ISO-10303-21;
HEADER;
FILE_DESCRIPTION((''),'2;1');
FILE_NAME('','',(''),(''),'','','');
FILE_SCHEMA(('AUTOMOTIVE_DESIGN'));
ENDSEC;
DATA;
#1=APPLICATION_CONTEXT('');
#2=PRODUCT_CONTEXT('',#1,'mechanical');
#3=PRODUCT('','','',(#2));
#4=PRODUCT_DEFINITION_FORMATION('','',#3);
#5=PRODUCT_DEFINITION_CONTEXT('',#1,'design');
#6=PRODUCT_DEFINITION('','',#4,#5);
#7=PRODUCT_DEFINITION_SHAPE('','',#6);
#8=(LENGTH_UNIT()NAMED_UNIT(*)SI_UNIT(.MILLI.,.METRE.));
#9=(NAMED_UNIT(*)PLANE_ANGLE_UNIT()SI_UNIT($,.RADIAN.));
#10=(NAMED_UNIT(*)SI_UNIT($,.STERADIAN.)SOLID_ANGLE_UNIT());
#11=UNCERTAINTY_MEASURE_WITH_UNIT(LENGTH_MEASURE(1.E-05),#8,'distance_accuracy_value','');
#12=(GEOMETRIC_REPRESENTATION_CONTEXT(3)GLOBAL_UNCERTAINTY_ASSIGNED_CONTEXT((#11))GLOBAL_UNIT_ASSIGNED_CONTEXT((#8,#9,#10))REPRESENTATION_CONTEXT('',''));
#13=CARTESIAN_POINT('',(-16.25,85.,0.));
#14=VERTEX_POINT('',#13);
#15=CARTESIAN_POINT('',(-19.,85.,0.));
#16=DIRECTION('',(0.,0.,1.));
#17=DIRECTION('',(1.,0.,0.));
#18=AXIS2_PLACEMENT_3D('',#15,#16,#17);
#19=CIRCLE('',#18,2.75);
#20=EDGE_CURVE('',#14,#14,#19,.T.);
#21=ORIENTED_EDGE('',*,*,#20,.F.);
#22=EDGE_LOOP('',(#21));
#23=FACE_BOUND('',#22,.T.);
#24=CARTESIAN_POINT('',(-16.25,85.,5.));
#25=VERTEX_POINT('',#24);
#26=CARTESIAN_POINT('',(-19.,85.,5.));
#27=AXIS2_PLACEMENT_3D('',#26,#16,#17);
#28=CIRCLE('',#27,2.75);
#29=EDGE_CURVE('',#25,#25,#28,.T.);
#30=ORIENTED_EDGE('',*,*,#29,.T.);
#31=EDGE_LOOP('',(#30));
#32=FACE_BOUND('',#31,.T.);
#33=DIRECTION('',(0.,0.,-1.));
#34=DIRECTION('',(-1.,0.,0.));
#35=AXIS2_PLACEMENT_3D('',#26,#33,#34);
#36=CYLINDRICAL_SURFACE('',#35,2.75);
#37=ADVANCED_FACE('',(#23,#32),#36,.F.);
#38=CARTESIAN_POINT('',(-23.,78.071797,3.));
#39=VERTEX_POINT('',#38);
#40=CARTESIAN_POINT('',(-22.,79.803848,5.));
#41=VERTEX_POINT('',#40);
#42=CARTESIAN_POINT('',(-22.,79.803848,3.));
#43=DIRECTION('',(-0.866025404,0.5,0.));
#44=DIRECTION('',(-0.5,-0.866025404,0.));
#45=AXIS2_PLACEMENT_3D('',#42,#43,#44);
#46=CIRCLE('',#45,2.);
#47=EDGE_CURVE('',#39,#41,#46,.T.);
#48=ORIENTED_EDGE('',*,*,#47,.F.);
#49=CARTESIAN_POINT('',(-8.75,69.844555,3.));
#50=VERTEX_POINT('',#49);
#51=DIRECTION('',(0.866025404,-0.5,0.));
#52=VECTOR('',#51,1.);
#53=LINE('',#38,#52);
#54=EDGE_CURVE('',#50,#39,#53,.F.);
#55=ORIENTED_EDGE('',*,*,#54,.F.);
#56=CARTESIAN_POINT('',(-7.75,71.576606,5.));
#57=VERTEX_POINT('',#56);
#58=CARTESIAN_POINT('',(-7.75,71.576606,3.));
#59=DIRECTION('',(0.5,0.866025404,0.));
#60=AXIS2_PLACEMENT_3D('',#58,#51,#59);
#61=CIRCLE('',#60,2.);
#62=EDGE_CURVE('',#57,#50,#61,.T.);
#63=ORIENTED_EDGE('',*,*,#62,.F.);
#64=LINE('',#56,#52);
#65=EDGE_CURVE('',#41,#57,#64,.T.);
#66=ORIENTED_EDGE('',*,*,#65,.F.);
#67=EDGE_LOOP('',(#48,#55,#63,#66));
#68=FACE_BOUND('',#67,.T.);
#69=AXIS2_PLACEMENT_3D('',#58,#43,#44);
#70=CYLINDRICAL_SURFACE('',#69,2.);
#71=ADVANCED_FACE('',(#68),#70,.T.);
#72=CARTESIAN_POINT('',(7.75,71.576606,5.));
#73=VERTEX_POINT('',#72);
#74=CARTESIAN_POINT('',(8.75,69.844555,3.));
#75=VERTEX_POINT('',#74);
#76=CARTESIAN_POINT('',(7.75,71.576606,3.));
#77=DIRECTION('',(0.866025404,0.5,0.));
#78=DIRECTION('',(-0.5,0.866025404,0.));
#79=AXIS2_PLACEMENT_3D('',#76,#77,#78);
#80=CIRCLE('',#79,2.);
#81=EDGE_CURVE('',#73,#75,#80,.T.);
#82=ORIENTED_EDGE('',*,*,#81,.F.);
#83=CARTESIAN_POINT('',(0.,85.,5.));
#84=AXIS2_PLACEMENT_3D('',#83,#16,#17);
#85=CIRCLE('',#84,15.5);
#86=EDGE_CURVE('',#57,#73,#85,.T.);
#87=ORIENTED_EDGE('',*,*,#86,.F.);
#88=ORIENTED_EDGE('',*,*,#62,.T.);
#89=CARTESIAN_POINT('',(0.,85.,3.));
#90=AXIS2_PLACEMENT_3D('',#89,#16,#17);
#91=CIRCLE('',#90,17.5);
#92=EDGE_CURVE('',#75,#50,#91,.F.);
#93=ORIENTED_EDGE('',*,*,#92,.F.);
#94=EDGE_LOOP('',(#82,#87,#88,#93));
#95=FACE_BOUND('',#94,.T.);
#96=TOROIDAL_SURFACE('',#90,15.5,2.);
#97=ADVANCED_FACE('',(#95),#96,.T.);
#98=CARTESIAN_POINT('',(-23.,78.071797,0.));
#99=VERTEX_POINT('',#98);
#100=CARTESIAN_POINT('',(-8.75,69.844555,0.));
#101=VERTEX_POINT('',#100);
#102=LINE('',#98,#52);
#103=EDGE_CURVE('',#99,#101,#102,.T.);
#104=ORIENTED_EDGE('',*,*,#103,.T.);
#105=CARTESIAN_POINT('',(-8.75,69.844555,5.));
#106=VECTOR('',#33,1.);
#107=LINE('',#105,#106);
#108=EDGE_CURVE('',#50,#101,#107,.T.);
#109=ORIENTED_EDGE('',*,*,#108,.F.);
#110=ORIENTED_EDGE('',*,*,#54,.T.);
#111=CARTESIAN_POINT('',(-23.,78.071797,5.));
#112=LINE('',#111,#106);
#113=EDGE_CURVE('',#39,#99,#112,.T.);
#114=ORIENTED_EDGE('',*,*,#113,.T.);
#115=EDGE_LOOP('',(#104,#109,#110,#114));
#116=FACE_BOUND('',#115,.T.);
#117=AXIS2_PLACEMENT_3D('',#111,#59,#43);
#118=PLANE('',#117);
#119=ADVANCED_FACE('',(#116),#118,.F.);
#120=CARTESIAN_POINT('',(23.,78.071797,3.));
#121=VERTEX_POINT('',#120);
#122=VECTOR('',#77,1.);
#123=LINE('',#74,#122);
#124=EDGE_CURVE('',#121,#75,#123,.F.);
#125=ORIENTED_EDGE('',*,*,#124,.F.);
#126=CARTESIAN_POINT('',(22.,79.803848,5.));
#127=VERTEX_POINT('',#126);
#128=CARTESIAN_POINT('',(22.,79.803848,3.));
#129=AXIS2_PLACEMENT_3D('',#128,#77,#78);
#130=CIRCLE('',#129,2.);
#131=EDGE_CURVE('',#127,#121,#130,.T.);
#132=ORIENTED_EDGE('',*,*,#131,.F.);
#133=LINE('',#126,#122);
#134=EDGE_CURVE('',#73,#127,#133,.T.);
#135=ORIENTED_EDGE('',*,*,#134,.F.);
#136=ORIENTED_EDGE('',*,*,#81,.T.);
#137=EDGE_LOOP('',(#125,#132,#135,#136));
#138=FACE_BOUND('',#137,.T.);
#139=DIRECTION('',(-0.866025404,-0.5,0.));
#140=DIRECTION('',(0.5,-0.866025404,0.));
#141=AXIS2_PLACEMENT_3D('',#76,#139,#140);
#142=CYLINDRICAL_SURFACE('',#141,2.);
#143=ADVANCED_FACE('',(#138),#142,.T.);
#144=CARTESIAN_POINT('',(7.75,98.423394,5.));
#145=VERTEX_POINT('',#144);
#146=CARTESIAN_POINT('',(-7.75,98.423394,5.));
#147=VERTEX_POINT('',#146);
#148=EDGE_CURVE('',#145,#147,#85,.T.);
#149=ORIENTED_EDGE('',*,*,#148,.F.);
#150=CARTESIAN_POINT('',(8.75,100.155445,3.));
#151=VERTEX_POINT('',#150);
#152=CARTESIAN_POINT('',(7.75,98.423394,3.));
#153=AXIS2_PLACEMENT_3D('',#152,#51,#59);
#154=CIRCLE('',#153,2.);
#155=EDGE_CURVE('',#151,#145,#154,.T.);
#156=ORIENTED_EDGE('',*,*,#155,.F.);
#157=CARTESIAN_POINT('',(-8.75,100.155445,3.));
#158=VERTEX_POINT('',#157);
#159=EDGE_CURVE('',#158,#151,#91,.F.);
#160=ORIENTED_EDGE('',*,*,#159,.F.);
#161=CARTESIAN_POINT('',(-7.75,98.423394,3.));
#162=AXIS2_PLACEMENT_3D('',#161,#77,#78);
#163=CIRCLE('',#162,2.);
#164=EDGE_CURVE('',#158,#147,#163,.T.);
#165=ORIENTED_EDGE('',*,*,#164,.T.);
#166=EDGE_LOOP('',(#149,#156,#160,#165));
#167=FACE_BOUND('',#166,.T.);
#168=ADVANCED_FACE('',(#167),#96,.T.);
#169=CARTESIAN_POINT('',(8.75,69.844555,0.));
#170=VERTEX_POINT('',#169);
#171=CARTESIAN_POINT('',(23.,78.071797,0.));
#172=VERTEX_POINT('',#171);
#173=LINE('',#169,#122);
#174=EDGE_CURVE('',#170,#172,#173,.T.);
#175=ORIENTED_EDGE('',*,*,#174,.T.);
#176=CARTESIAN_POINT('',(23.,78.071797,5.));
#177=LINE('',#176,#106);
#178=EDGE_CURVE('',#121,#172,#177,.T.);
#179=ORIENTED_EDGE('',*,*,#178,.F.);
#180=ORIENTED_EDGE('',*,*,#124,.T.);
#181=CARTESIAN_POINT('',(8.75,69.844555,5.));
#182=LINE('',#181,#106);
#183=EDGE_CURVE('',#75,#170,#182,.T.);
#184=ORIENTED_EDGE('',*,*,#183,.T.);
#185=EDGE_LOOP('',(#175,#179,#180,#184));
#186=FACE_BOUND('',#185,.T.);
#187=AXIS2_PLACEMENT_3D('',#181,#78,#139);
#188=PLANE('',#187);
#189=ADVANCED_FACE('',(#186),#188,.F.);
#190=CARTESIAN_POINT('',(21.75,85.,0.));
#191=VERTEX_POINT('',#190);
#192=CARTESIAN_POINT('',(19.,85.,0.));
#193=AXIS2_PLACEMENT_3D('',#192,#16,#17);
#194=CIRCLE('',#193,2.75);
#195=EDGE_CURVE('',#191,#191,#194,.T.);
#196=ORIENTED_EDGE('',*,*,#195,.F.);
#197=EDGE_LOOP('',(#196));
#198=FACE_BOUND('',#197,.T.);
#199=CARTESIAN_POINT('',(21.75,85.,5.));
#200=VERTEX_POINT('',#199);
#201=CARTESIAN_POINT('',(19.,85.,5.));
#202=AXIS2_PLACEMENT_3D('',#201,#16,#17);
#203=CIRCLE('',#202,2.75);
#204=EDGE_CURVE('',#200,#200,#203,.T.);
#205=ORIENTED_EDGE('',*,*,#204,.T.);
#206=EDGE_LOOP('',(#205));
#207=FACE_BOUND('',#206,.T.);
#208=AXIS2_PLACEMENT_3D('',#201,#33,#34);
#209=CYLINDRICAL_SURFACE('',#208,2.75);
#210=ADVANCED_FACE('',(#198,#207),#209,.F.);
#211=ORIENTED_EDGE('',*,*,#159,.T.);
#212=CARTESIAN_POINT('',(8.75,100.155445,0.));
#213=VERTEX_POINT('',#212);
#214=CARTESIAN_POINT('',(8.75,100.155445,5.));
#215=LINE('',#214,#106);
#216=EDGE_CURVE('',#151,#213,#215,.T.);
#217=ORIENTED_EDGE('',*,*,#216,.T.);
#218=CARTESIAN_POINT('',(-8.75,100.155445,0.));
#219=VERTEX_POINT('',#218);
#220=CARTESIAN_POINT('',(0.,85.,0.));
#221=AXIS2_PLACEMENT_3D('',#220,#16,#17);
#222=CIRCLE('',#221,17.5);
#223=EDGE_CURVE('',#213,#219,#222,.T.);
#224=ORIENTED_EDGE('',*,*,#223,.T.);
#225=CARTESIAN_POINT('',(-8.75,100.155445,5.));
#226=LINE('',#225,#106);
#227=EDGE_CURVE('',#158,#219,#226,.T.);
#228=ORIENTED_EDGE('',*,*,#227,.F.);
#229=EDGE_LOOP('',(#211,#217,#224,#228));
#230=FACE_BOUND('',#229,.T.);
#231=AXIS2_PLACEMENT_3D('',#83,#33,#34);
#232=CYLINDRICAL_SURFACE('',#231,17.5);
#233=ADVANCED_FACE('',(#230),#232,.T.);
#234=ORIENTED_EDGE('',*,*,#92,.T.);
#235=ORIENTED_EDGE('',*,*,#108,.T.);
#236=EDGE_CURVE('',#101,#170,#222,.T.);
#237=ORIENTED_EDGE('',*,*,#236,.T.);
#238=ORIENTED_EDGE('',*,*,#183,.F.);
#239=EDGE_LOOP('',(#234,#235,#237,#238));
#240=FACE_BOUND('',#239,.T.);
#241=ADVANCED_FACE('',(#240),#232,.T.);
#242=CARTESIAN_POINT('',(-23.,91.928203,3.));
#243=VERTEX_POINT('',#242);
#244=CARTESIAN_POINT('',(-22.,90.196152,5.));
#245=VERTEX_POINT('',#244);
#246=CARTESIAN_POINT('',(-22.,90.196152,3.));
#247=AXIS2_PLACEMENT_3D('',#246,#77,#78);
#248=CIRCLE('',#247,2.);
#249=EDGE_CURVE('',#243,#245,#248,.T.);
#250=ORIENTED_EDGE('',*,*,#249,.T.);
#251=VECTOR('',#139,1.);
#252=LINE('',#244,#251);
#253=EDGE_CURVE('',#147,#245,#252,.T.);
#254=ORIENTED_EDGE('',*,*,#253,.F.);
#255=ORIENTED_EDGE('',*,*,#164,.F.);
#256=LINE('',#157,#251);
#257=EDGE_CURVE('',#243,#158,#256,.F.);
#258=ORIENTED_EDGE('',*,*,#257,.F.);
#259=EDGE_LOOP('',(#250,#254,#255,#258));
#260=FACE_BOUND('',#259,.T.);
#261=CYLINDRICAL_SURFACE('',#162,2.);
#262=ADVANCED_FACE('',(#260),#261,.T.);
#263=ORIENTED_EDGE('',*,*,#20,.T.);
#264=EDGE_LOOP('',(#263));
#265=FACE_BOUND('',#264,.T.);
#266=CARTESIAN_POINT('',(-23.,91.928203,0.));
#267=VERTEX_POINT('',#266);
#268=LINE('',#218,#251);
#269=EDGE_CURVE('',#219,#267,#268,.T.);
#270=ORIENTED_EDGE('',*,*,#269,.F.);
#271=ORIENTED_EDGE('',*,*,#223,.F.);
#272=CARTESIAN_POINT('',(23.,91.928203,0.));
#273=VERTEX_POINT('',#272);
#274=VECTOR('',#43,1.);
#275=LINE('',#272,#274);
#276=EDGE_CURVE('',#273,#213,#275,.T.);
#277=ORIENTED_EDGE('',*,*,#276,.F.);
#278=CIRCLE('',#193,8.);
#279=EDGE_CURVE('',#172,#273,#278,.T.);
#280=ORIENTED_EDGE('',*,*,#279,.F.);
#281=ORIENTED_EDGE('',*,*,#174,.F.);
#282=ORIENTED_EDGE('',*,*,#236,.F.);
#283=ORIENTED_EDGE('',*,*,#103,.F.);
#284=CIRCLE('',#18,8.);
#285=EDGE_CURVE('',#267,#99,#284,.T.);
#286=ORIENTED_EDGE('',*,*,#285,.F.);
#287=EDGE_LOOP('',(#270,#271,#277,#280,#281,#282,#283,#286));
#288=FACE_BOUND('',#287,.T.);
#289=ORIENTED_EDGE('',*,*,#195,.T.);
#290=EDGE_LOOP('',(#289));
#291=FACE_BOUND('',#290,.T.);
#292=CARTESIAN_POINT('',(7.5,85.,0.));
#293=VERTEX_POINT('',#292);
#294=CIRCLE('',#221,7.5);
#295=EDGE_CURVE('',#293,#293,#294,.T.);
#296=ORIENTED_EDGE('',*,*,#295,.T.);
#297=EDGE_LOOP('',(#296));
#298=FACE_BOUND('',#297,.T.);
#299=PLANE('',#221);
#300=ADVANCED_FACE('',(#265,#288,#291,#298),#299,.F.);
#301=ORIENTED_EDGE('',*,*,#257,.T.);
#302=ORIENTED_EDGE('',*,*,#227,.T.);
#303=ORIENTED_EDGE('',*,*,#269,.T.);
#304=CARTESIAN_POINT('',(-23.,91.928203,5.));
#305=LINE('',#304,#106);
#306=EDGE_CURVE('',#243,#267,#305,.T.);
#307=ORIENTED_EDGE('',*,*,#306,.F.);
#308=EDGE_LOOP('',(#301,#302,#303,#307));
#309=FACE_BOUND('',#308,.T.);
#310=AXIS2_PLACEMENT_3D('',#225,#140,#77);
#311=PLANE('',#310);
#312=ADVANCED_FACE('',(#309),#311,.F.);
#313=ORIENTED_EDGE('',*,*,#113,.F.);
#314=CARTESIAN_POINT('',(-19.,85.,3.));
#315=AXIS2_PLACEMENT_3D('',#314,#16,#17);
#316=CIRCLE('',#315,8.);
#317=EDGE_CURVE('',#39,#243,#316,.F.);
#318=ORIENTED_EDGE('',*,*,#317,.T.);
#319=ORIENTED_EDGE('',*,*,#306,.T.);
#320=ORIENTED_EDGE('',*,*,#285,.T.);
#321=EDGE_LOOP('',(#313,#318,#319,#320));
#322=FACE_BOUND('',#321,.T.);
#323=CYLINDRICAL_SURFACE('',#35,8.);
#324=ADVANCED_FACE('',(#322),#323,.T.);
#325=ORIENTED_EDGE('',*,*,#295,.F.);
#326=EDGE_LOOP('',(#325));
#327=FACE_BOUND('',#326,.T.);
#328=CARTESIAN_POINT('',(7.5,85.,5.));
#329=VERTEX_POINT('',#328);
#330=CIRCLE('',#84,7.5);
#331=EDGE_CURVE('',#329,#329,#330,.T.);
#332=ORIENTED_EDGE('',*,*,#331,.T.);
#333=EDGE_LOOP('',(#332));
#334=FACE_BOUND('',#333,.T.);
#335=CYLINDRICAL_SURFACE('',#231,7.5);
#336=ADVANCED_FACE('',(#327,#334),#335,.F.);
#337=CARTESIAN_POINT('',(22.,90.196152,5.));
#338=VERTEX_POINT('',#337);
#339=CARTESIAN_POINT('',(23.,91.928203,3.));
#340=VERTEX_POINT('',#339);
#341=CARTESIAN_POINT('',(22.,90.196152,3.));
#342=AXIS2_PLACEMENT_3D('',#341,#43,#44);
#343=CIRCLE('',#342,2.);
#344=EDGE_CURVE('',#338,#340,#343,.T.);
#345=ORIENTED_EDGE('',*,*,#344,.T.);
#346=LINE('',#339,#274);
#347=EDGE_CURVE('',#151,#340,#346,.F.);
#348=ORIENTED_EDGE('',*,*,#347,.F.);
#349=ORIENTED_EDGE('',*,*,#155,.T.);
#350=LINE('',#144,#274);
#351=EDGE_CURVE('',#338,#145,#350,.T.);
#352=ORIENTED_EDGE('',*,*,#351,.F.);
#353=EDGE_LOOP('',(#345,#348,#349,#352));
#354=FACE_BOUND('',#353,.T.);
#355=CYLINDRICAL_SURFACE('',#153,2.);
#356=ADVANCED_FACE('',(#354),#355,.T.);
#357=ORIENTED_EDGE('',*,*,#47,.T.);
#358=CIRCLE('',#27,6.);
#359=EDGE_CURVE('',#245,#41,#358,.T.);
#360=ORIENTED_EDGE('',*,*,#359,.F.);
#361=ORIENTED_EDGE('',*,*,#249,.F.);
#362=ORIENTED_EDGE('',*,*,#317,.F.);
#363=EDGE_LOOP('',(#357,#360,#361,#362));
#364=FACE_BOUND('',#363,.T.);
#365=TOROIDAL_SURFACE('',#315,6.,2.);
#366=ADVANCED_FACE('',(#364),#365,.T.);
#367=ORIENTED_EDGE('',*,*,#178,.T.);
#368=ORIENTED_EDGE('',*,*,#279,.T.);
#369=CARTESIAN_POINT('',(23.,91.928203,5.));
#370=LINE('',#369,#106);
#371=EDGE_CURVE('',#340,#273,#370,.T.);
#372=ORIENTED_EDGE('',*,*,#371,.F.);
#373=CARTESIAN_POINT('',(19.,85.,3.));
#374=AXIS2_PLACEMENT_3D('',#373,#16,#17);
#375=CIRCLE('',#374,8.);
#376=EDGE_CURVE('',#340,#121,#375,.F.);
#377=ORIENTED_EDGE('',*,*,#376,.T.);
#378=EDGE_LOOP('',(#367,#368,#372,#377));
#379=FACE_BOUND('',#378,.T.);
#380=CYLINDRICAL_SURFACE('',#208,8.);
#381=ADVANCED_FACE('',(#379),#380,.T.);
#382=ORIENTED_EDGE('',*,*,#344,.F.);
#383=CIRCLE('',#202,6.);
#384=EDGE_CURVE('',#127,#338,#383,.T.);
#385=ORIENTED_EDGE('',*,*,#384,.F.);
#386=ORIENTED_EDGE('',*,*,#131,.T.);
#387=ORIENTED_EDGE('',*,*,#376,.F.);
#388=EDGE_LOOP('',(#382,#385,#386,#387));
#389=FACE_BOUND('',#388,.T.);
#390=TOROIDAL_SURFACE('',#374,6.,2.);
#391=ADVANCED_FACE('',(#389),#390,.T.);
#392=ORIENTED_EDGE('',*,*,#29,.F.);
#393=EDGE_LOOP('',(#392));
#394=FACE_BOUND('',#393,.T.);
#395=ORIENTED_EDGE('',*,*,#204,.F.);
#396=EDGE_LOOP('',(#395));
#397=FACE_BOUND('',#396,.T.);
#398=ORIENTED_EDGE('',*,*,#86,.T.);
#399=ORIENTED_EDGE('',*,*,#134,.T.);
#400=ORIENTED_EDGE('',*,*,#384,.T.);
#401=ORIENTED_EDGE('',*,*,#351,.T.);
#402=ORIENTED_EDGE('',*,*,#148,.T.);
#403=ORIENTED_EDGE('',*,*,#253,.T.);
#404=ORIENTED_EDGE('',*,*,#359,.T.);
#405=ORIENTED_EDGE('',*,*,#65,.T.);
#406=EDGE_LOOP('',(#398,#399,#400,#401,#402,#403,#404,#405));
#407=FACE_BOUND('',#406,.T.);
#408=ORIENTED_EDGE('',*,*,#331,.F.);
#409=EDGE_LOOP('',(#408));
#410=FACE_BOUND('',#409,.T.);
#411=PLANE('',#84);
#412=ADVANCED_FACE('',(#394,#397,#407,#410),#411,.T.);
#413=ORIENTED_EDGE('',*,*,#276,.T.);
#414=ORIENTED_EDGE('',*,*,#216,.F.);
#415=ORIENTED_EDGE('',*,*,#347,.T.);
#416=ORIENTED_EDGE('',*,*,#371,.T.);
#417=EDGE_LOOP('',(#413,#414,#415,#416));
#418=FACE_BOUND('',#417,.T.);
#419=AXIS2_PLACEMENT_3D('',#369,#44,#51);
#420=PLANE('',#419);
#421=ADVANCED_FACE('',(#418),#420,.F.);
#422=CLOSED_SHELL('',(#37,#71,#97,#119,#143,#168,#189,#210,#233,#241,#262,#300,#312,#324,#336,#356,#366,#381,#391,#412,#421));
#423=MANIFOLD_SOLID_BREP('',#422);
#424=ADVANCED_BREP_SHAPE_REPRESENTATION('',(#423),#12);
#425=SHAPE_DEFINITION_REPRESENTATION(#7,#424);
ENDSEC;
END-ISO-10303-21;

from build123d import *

# Parameters (mm, degrees)
SKETCH_1_R      = 2.75
SKETCH_1_R_2    = 7.5
EXTRUDE_1_DEPTH = 5
FILLET_1_R      = 2


with BuildPart() as part:
    # 草圖1 → 填料-伸長1 (new body)
    with BuildSketch(Plane.XY):
        with BuildLine():
            Line((-8.75, 100.155444566), (-23, 91.92820323))
            ThreePointArc((-23, 91.92820323), (-27, 85), (-23, 78.07179677))
            Line((-23, 78.07179677), (-8.75, 69.844555434))
            ThreePointArc((-8.75, 69.844555434), (0, 67.5), (8.75, 69.844555434))
            Line((8.75, 69.844555434), (23, 78.07179677))
            ThreePointArc((23, 78.07179677), (27, 85), (23, 91.92820323))
            Line((23, 91.92820323), (8.75, 100.155444566))
            ThreePointArc((8.75, 100.155444566), (0, 102.5), (-8.75, 100.155444566))
        make_face()
        with Locations((19, 85)):
            Circle(SKETCH_1_R, mode=Mode.SUBTRACT)
        with Locations((0, 85)):
            Circle(SKETCH_1_R_2, mode=Mode.SUBTRACT)
        with Locations((-19, 85)):
            Circle(SKETCH_1_R, mode=Mode.SUBTRACT)
    extrude(amount=EXTRUDE_1_DEPTH)

    # 圓角1
    fillet_1_edges = [part.edges().sort_by_distance(p)[0] for p in [
        (-27, 85, 5),
        (-15.875, 73.958176102, 5),
        (0, 67.5, 5),
        (15.875, 73.958176102, 5),
        (27, 85, 5),
        (15.875, 96.041823898, 5),
        (0, 102.5, 5),
        (-15.875, 96.041823898, 5),
    ]]
    fillet(fillet_1_edges, radius=FILLET_1_R)


solid = part.part
